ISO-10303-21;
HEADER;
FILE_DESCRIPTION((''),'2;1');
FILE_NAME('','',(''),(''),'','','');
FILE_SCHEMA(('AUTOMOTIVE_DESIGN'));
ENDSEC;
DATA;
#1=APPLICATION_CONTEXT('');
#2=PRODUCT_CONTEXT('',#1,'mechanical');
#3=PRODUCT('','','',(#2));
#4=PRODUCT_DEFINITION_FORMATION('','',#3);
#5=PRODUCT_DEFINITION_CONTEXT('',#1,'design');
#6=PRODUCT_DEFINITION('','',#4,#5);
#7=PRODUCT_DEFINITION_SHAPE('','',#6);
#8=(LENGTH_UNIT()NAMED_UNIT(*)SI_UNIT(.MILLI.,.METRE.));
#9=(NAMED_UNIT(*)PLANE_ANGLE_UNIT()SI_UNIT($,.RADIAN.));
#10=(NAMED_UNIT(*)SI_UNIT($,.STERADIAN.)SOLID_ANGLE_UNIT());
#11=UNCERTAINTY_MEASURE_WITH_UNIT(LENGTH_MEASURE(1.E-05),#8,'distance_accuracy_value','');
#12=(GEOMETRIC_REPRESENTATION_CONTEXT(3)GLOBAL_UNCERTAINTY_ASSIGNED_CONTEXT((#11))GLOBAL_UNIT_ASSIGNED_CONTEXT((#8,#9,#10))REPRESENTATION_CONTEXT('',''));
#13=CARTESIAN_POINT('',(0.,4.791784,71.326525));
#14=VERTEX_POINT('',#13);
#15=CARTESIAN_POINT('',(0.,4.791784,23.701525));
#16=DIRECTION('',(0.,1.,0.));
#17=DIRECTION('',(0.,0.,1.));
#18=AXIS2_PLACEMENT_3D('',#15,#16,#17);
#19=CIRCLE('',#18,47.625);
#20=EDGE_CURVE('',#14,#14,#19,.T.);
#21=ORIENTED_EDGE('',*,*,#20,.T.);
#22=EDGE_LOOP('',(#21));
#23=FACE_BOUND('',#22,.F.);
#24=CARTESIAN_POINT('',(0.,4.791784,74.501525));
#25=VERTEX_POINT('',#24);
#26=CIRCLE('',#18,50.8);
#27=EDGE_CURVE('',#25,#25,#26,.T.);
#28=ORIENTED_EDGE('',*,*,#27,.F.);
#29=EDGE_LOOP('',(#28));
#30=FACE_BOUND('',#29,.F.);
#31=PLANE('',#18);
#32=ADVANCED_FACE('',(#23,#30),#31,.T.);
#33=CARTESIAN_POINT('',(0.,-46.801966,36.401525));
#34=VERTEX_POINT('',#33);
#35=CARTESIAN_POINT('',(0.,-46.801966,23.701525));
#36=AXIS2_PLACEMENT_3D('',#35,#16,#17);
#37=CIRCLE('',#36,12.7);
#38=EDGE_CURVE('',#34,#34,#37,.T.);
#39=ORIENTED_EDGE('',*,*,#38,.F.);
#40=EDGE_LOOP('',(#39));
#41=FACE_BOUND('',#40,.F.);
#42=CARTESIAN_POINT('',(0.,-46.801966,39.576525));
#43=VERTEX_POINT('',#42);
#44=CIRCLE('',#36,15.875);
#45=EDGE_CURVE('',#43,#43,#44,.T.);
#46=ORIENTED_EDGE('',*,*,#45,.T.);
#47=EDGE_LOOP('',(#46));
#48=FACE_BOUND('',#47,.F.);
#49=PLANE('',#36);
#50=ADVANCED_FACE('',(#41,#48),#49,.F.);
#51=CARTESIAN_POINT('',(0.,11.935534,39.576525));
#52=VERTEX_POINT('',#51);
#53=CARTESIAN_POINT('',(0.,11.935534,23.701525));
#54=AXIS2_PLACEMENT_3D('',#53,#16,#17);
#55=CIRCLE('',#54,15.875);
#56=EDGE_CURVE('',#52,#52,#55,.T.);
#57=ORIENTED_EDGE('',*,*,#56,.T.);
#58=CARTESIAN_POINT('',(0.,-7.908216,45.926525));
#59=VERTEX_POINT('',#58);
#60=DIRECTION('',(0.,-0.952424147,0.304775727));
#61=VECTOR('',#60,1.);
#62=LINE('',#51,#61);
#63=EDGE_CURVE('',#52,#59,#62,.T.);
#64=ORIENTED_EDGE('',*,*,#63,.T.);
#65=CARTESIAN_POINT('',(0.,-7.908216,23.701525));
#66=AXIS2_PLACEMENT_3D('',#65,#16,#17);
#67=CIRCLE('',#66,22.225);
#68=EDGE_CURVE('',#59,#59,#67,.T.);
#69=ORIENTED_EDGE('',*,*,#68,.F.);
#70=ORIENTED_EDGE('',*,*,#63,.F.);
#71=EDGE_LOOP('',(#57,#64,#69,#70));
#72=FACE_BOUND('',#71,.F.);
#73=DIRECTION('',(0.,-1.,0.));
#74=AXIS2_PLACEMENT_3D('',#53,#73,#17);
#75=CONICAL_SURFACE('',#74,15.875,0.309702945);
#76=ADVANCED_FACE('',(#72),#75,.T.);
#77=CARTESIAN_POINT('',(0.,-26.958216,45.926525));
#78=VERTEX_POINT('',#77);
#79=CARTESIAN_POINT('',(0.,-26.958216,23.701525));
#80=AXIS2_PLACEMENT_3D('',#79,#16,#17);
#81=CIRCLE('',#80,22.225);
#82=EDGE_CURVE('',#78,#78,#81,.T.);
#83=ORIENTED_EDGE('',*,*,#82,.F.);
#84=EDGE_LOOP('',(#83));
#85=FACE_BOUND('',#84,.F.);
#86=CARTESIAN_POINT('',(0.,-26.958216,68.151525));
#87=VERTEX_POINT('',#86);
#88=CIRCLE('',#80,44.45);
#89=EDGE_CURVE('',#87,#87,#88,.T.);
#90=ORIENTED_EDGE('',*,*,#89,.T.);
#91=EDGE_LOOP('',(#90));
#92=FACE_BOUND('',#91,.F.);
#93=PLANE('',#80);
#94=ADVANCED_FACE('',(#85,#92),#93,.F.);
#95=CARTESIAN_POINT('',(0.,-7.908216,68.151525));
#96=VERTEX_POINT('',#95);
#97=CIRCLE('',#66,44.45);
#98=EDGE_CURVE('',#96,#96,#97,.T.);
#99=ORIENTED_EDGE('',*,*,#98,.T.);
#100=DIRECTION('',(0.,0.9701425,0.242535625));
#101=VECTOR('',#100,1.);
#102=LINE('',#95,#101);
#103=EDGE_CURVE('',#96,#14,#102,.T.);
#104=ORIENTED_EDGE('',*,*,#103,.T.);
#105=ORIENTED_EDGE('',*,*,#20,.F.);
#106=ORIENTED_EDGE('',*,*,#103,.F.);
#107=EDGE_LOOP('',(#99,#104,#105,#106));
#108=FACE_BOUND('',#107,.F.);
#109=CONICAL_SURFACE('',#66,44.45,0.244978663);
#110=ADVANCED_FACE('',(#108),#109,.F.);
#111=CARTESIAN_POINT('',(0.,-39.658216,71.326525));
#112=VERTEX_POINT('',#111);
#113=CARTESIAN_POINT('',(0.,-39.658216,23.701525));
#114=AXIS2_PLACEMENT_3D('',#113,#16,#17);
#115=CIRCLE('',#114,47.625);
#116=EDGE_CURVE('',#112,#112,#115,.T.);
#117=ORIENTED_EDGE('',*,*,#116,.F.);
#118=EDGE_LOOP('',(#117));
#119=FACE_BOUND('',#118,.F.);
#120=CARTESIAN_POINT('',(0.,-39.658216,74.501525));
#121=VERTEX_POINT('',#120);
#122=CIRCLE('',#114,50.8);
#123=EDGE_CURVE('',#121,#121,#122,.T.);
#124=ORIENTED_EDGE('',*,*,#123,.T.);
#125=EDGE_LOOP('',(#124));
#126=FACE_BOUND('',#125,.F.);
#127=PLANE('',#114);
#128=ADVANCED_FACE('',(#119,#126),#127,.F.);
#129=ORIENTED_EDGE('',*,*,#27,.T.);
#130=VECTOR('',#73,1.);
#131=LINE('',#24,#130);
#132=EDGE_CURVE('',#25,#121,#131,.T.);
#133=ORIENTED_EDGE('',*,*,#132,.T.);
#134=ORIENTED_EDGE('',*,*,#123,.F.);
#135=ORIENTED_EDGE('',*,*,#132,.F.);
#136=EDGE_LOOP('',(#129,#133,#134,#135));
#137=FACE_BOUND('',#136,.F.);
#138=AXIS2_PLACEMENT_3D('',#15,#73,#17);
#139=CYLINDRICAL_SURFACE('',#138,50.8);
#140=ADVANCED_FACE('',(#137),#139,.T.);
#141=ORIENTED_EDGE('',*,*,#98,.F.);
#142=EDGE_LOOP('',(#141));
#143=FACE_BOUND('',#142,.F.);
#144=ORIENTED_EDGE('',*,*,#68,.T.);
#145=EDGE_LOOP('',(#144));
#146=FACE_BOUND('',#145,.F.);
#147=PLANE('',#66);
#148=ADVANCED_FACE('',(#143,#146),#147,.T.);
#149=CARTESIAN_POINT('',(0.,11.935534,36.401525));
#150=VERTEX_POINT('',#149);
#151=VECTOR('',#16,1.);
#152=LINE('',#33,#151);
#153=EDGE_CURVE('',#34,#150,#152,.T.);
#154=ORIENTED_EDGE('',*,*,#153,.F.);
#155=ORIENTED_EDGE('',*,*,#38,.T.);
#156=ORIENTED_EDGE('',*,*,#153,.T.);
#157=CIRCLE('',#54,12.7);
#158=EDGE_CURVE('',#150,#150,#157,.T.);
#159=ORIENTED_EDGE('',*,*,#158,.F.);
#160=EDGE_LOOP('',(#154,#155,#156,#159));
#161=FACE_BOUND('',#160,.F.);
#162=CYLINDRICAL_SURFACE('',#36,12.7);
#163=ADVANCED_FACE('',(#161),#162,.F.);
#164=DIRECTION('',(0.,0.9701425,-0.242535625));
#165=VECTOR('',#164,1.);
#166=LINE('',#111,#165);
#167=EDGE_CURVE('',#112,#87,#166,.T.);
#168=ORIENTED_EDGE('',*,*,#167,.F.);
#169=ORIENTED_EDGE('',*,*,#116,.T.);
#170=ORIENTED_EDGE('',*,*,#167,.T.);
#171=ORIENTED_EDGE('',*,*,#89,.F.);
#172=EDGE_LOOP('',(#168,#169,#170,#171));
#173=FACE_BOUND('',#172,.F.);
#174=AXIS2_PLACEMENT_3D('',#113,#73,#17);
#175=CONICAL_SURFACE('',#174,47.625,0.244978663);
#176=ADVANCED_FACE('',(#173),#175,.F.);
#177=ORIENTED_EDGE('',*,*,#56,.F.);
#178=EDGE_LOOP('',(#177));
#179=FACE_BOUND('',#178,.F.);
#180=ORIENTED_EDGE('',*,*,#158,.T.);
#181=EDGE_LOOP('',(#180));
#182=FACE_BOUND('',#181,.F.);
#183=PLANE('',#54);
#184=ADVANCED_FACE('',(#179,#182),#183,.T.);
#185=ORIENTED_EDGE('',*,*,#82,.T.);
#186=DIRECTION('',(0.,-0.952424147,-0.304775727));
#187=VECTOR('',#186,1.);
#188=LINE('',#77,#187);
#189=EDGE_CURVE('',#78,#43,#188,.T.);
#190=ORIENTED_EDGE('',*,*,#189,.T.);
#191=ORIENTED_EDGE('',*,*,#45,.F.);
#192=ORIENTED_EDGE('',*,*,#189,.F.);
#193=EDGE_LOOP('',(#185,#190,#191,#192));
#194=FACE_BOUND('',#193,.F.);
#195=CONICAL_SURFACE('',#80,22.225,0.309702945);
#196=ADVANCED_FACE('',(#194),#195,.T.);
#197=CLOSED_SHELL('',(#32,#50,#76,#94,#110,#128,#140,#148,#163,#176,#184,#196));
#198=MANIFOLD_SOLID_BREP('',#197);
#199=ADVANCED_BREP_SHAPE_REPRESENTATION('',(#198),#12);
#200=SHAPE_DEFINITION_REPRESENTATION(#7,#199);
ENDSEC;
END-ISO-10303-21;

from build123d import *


with BuildPart() as f1:
    # F0 (on Right) → F1 (revolve)
    with BuildSketch(Plane.YZ):
        Polygon((-46.801966, 39.576525), (-46.801966, 36.401525), (-26.958216, 36.401525), (-26.958216, 45.926525), align=None)
        Polygon((-26.958216, 45.926525), (-26.958216, 36.401525), (-7.908216, 36.401525), (-7.908216, 45.926525), (-7.908216, 68.151525), (-7.908216, 74.501525), (-17.433216, 74.501525), (-26.958216, 74.501525), (-26.958216, 68.151525), align=None)
        Polygon((-7.908216, 45.926525), (-7.908216, 36.401525), (11.935534, 36.401525), (11.935534, 39.576525), align=None)
        Polygon((-39.658216, 71.326525), (-26.958216, 68.151525), (-26.958216, 74.501525), (-39.658216, 74.501525), align=None)
        Polygon((-7.908216, 74.501525), (-7.908216, 68.151525), (4.791784, 71.326525), (4.791784, 74.501525), align=None)
    revolve(axis=Axis((0, 4.550466, 23.701525), (0, 1, 0)))


solid = f1.part
